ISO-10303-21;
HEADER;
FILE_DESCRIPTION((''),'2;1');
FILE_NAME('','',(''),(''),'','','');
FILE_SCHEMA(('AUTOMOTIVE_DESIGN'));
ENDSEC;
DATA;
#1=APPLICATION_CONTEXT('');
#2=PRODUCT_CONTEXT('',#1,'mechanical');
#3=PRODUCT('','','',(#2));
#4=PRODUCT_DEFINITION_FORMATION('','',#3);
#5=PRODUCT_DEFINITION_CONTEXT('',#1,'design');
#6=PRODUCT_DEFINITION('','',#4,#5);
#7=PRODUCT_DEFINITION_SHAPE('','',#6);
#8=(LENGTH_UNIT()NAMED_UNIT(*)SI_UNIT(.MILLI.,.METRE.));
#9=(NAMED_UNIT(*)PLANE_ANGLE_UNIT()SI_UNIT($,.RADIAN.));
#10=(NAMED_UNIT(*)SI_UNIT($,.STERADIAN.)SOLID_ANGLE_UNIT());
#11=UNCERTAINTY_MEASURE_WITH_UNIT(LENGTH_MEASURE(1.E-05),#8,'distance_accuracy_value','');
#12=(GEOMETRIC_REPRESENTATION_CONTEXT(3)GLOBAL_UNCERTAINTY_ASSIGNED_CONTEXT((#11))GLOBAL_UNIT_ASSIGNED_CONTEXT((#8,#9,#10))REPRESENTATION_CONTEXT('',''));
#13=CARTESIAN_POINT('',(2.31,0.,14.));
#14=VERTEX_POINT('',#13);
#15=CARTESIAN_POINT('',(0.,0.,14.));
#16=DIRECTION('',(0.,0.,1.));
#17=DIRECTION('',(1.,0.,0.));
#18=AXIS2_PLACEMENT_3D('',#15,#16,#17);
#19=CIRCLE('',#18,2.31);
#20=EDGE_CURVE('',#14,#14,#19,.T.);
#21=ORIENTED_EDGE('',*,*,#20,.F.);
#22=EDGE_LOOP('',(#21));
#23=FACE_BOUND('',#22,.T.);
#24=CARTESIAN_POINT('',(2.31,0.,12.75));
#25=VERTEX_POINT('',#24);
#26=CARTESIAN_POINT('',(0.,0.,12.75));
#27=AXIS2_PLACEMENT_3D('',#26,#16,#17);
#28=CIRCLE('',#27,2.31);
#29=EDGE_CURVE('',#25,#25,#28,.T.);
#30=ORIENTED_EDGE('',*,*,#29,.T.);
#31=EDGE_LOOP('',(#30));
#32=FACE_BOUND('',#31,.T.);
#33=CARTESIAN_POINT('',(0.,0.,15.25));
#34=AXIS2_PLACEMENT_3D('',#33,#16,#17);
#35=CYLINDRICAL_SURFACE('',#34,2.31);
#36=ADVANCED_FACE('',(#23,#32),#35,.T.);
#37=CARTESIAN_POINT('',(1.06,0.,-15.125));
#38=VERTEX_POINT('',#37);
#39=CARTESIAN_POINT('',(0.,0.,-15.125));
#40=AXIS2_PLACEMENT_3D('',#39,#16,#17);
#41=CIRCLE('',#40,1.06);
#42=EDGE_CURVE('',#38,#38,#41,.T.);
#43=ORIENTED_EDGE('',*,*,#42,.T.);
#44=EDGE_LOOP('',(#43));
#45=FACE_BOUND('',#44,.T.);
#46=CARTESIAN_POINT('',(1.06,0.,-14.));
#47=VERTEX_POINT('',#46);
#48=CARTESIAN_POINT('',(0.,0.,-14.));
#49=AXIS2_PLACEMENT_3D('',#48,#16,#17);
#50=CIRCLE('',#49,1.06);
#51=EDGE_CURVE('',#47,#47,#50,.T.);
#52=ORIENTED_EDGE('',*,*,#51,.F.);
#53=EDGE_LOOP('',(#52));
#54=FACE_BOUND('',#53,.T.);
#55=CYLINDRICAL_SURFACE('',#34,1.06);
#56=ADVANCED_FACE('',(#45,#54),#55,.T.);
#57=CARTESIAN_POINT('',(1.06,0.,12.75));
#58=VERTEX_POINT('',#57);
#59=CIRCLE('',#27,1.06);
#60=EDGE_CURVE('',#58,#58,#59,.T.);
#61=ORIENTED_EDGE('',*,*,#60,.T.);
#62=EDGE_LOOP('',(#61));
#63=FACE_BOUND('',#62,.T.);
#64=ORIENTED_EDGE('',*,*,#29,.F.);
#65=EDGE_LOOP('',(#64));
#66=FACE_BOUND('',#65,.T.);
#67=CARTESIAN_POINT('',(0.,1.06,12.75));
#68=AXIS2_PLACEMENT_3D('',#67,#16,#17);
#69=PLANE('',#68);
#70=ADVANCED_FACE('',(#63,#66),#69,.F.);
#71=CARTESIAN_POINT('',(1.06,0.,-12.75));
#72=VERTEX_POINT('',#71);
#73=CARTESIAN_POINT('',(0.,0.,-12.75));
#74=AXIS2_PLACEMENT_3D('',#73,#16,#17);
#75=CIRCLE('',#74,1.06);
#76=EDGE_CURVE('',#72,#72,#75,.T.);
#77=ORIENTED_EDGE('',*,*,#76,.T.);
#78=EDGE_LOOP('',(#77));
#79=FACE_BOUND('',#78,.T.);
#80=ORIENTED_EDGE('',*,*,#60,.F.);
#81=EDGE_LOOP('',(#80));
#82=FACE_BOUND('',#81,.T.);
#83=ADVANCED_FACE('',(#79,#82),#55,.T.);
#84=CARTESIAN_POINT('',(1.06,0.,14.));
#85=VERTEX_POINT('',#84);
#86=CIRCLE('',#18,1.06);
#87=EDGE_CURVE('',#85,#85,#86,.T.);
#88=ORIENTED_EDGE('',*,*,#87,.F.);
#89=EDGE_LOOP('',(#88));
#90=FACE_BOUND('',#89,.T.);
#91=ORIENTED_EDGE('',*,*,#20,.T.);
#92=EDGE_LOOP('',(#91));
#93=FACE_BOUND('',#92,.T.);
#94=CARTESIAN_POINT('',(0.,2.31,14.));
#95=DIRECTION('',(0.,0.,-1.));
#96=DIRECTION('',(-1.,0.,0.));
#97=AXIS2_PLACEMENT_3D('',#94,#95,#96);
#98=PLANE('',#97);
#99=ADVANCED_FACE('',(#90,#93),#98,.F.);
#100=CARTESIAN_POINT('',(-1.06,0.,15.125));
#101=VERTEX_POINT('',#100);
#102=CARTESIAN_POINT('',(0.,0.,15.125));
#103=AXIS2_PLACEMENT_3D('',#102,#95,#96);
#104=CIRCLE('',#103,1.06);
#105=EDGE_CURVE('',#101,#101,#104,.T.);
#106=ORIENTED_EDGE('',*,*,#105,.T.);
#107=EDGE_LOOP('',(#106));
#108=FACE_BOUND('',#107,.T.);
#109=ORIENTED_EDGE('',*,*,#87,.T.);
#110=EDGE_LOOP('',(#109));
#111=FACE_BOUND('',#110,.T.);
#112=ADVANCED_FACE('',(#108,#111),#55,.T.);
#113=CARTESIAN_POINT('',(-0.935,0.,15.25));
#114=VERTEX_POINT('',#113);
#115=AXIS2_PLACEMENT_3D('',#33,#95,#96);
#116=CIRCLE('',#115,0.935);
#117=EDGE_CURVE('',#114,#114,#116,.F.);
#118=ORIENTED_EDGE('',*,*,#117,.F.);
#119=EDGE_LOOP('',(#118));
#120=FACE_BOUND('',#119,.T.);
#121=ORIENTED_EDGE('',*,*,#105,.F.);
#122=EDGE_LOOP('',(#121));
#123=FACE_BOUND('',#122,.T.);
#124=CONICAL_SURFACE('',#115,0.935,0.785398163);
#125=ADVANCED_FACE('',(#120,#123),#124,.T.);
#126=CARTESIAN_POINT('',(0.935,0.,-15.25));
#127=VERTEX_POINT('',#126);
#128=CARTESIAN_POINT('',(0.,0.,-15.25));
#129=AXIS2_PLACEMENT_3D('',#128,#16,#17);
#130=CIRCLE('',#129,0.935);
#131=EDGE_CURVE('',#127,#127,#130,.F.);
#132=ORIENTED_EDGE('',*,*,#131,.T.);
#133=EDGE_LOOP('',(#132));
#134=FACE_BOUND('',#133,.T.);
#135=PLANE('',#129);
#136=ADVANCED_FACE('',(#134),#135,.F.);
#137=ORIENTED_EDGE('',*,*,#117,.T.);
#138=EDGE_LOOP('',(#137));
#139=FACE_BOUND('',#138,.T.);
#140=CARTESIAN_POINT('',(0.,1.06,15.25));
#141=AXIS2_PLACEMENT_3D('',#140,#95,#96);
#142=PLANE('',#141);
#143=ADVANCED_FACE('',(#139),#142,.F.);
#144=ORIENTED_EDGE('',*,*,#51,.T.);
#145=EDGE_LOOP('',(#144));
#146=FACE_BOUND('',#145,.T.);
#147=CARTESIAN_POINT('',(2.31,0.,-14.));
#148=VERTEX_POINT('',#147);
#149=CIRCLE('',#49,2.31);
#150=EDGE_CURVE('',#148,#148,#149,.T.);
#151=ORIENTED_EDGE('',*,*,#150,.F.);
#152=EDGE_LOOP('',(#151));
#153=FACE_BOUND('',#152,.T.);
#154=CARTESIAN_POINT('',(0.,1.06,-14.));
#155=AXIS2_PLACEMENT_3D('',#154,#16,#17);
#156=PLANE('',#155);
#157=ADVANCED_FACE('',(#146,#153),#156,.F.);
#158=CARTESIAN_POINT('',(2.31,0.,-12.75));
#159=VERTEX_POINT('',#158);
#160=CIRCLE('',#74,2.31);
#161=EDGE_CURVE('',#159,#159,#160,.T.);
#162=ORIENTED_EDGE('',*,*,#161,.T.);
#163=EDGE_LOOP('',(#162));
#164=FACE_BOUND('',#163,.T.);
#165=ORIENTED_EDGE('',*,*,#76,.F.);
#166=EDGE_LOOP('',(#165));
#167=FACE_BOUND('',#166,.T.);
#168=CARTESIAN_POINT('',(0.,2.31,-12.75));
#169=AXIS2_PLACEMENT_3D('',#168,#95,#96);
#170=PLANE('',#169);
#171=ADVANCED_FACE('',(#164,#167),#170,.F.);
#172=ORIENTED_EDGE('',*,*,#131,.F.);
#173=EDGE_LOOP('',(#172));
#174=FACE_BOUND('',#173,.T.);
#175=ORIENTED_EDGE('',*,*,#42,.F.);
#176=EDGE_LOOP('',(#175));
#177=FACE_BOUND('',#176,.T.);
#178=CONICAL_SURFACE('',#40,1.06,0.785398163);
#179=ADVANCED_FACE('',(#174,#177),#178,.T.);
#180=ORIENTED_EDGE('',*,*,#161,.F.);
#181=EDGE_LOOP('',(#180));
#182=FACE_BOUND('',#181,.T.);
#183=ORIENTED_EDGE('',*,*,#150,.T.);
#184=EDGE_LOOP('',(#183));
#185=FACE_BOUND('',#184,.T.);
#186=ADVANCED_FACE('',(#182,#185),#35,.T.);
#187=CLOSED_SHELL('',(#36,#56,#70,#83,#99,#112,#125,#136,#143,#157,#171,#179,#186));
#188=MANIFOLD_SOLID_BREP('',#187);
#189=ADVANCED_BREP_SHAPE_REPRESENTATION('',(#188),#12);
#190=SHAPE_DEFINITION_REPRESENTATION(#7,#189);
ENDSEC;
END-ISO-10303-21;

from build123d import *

# Parameters (mm, degrees)
CHAMFER_1_SIZE = 0.125


with BuildPart() as part:
    # 草图2 → 旋转1 (revolve)
    with BuildSketch(Plane(origin=(0, 0, 0), x_dir=(0, 0, -1), z_dir=(1, 0, 0))):
        Polygon((-15.25, 0), (15.25, 0), (15.25, 1.06), (14, 1.06), (14, 2.31), (12.75, 2.31), (12.75, 1.06), (-12.75, 1.06), (-12.75, 2.31), (-14, 2.31), (-14, 1.06), (-15.25, 1.06), align=None)
    revolve(axis=Axis((0, 0, 15.25), (0, 0, -1)))

    # 倒角1
    chamfer_1_edges = [part.edges().sort_by_distance(p)[0] for p in [
        (0, -1.06, -15.25),
        (0, -1.06, 15.25),
    ]]
    chamfer(chamfer_1_edges, length=CHAMFER_1_SIZE)


solid = part.part
